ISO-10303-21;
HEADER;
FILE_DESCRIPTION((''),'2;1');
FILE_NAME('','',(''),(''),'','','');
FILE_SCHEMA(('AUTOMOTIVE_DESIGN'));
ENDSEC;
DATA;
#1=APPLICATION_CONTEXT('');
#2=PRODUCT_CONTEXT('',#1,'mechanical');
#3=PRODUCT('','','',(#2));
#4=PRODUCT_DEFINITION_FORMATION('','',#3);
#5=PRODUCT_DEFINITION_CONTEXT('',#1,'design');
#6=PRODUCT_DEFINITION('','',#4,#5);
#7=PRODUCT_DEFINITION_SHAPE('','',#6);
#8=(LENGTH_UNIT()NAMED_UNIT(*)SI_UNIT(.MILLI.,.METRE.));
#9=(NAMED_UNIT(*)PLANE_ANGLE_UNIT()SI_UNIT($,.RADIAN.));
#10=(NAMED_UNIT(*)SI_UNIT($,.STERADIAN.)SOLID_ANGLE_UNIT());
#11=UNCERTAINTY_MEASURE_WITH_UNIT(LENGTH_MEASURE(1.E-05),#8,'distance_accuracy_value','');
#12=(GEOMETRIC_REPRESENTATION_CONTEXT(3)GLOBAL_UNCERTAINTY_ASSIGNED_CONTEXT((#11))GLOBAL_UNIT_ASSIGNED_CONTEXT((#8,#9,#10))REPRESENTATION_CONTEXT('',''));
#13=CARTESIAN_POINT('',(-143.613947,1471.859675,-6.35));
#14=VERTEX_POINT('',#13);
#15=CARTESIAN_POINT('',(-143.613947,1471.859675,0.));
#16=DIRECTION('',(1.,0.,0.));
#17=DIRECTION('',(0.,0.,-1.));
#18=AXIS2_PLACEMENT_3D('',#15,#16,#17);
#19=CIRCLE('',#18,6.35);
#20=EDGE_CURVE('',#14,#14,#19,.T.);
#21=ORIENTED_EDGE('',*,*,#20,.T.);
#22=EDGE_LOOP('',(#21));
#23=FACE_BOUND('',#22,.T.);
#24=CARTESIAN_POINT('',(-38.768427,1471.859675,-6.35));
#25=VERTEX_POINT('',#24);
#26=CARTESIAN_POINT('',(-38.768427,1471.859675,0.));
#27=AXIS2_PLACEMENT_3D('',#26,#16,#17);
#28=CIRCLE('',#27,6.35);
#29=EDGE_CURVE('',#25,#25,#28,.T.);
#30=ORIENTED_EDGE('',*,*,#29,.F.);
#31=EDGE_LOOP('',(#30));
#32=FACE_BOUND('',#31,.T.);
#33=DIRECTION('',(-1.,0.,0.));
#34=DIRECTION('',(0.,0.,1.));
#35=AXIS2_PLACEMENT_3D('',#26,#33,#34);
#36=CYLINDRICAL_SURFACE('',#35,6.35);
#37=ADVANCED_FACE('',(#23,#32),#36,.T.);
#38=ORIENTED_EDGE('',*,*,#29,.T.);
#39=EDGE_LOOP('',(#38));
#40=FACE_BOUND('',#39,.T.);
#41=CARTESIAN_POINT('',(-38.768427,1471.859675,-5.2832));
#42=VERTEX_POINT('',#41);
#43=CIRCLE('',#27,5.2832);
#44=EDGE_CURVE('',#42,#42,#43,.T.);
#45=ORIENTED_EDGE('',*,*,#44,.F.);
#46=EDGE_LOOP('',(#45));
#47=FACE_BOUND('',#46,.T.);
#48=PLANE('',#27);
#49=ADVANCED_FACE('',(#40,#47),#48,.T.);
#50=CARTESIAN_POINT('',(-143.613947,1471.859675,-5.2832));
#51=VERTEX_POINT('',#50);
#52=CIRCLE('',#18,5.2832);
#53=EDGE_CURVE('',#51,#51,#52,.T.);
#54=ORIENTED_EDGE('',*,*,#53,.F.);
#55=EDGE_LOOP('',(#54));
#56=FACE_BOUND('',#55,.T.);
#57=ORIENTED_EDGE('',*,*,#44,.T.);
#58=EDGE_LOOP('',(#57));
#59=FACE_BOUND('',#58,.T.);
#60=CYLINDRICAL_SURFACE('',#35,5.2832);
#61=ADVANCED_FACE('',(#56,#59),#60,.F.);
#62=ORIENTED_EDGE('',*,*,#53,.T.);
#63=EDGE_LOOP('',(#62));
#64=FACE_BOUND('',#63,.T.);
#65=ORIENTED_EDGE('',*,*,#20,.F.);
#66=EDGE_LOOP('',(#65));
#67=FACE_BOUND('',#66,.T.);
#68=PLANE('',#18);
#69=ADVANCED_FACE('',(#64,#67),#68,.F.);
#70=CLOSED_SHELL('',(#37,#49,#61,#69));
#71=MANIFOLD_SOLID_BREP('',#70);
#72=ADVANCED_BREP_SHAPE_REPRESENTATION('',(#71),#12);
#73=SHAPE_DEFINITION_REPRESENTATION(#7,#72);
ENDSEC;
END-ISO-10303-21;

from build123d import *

# Parameters (mm, degrees)
SKETCH11_R              = 6.35
SKETCH11_R_2            = 5.2832
PIPE_0_5_SCH_40_1_DEPTH = 104.845519507


with BuildPart() as part:
    # Sketch11 → Pipe 0.5 SCH 40(1) (new body)
    with BuildSketch(Plane(origin=(-143.613946583, 1471.859674504, 0), x_dir=(0, 1, 0), z_dir=(1, 0, 0))):
        Circle(SKETCH11_R)
        Circle(SKETCH11_R_2, mode=Mode.SUBTRACT)
    extrude(amount=PIPE_0_5_SCH_40_1_DEPTH)


solid = part.part
